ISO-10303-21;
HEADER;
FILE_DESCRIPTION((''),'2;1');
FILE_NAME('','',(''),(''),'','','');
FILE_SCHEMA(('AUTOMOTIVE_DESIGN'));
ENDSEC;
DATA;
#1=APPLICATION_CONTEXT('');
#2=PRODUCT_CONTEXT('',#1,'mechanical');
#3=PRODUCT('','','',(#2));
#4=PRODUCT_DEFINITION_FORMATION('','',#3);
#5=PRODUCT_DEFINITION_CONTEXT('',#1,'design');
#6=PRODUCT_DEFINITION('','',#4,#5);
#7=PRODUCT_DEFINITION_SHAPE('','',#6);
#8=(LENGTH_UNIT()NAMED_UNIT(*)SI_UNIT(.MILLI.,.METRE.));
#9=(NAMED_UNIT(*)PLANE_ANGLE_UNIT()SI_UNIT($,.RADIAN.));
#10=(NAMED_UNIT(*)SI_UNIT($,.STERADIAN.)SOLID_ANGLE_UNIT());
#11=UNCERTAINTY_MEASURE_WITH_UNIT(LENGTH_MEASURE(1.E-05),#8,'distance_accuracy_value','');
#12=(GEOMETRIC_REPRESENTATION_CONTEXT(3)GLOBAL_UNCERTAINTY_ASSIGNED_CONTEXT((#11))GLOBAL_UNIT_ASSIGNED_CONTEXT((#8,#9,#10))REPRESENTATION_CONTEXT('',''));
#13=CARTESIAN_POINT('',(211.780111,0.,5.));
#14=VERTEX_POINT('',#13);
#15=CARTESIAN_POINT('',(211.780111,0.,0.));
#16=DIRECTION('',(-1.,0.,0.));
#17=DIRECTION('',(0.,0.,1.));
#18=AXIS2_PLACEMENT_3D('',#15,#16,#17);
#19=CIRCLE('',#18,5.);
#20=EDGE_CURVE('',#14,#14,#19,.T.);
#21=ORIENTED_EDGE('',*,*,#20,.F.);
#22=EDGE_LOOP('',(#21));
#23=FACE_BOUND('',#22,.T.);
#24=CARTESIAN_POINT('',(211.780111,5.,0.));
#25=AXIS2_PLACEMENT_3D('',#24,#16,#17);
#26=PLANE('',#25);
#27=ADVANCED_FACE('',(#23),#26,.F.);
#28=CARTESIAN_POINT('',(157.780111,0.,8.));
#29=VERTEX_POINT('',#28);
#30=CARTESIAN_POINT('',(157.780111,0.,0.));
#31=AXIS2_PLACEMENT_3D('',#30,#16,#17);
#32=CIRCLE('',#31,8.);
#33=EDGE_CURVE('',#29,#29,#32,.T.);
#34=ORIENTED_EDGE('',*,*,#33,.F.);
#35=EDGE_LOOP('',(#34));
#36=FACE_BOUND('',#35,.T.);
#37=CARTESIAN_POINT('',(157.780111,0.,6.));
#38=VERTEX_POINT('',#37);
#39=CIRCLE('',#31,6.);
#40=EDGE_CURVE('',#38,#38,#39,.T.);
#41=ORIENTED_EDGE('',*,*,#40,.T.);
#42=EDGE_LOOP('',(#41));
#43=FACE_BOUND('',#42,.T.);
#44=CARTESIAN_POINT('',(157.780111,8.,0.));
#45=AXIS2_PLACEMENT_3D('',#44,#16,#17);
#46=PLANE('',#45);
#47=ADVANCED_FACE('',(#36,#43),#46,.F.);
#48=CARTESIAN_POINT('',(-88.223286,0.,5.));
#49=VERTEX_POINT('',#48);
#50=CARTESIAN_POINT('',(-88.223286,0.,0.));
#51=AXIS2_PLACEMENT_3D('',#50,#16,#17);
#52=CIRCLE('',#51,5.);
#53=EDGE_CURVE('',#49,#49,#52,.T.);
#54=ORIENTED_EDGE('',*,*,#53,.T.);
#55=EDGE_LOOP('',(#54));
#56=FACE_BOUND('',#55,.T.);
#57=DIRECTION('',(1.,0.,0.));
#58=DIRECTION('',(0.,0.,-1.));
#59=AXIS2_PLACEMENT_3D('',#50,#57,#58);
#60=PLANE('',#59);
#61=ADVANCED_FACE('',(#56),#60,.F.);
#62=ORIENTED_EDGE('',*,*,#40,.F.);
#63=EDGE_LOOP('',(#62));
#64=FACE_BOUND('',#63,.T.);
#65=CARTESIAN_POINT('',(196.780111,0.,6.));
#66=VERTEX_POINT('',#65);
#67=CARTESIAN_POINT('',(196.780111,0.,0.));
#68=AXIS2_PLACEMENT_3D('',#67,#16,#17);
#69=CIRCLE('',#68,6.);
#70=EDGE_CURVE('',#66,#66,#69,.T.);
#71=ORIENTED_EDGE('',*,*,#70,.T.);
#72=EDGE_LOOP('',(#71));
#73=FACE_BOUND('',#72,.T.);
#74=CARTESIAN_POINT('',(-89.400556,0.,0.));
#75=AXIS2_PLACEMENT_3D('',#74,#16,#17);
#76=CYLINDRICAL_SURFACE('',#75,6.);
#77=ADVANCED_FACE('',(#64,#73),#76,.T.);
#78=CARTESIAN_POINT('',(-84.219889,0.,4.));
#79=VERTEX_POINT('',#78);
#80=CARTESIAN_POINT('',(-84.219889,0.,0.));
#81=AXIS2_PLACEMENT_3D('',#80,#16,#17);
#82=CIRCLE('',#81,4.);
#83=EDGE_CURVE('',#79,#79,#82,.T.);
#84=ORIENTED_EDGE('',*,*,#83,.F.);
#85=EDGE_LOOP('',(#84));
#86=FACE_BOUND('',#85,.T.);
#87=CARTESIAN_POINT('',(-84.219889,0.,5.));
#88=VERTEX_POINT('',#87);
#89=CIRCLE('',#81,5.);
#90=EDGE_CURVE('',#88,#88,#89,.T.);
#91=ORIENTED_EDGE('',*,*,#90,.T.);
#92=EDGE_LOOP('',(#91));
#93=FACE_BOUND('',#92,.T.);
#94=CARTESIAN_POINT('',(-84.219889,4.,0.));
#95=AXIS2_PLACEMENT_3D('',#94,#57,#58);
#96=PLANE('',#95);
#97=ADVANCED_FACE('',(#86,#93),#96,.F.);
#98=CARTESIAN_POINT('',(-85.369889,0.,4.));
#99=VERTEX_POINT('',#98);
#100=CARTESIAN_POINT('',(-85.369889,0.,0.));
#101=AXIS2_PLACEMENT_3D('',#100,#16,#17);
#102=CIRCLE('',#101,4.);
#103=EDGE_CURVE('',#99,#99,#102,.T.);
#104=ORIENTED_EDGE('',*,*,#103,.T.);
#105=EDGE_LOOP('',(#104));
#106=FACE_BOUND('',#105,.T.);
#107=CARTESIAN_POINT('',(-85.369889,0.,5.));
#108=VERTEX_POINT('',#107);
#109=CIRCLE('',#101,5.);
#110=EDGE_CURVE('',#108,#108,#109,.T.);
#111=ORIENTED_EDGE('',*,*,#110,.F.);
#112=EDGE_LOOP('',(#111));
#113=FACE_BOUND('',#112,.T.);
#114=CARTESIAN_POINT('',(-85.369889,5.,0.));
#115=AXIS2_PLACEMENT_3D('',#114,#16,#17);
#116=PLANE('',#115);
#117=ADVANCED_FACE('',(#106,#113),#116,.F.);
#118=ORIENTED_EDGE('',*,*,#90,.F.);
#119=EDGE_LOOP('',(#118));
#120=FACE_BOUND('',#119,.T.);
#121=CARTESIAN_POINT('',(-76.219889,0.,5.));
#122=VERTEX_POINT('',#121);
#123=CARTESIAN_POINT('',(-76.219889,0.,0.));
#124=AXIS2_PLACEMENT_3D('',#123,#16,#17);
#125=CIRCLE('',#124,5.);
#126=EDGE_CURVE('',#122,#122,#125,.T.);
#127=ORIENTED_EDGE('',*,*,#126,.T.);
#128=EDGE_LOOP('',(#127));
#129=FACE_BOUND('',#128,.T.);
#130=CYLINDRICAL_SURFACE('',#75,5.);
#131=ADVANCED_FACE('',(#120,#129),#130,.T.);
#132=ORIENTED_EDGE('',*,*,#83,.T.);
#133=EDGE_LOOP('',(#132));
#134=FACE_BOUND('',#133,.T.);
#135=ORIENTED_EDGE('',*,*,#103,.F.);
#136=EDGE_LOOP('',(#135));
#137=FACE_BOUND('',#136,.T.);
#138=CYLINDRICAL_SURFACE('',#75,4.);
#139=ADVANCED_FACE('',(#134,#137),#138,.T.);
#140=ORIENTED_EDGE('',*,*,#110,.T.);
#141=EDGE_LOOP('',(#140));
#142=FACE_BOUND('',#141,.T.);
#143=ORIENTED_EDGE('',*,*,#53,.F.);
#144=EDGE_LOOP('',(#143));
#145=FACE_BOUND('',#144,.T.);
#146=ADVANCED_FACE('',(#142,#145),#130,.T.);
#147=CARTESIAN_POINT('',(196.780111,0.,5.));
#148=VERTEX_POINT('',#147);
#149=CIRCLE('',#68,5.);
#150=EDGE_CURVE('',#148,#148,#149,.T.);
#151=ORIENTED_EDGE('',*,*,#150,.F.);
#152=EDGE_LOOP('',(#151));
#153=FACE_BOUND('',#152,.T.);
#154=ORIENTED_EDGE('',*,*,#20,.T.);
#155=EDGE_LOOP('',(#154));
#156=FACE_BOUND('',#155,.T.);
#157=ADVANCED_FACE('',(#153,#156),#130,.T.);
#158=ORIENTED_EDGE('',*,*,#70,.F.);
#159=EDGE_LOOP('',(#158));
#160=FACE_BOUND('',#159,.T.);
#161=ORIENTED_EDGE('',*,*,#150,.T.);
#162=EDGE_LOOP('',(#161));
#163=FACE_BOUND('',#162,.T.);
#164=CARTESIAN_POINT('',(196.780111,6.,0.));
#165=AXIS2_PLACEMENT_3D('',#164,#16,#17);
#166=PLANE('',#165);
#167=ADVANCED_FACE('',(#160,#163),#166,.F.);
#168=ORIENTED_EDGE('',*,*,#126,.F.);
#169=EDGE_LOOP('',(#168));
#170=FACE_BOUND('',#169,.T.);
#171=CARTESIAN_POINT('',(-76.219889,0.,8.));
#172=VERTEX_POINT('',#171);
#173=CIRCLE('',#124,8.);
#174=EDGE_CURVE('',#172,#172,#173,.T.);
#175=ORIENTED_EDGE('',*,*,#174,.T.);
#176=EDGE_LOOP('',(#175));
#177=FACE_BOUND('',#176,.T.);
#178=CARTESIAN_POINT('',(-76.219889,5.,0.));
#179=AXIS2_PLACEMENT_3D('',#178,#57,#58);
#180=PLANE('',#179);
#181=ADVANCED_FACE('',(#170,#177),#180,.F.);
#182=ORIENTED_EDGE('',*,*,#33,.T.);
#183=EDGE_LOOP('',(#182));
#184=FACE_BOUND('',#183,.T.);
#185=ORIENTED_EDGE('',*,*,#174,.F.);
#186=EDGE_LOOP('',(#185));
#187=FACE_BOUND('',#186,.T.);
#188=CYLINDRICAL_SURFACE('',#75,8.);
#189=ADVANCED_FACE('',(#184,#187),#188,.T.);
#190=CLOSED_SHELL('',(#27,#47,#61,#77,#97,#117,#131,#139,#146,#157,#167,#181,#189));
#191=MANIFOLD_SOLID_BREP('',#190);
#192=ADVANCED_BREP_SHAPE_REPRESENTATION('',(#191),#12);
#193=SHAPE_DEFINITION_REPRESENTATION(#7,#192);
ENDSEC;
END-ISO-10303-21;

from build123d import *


with BuildPart() as part:
    # Esquisse1 → Révolution1 (revolve)
    with BuildSketch(Plane.XY, mode=Mode.PRIVATE) as r_volution1_sk:
        Polygon((-88.223286033, 0), (-88.223286033, 5), (-85.369889122, 5), (-85.369889122, 4), (-84.219889122, 4), (-84.219889122, 5), (-76.219889122, 5), (-76.219889122, 8), (157.780110878, 8), (157.780110878, 6), (184.780110878, 6), (196.780110878, 6), (196.780110878, 5), (211.780110878, 5), (211.780110878, 0), align=None)
    revolve(r_volution1_sk.sketch.rotate(Axis((-89.400555638, 0, 0), (1, 0, 0)), 90), axis=Axis((-89.400555638, 0, 0), (1, 0, 0)))


solid = part.part
